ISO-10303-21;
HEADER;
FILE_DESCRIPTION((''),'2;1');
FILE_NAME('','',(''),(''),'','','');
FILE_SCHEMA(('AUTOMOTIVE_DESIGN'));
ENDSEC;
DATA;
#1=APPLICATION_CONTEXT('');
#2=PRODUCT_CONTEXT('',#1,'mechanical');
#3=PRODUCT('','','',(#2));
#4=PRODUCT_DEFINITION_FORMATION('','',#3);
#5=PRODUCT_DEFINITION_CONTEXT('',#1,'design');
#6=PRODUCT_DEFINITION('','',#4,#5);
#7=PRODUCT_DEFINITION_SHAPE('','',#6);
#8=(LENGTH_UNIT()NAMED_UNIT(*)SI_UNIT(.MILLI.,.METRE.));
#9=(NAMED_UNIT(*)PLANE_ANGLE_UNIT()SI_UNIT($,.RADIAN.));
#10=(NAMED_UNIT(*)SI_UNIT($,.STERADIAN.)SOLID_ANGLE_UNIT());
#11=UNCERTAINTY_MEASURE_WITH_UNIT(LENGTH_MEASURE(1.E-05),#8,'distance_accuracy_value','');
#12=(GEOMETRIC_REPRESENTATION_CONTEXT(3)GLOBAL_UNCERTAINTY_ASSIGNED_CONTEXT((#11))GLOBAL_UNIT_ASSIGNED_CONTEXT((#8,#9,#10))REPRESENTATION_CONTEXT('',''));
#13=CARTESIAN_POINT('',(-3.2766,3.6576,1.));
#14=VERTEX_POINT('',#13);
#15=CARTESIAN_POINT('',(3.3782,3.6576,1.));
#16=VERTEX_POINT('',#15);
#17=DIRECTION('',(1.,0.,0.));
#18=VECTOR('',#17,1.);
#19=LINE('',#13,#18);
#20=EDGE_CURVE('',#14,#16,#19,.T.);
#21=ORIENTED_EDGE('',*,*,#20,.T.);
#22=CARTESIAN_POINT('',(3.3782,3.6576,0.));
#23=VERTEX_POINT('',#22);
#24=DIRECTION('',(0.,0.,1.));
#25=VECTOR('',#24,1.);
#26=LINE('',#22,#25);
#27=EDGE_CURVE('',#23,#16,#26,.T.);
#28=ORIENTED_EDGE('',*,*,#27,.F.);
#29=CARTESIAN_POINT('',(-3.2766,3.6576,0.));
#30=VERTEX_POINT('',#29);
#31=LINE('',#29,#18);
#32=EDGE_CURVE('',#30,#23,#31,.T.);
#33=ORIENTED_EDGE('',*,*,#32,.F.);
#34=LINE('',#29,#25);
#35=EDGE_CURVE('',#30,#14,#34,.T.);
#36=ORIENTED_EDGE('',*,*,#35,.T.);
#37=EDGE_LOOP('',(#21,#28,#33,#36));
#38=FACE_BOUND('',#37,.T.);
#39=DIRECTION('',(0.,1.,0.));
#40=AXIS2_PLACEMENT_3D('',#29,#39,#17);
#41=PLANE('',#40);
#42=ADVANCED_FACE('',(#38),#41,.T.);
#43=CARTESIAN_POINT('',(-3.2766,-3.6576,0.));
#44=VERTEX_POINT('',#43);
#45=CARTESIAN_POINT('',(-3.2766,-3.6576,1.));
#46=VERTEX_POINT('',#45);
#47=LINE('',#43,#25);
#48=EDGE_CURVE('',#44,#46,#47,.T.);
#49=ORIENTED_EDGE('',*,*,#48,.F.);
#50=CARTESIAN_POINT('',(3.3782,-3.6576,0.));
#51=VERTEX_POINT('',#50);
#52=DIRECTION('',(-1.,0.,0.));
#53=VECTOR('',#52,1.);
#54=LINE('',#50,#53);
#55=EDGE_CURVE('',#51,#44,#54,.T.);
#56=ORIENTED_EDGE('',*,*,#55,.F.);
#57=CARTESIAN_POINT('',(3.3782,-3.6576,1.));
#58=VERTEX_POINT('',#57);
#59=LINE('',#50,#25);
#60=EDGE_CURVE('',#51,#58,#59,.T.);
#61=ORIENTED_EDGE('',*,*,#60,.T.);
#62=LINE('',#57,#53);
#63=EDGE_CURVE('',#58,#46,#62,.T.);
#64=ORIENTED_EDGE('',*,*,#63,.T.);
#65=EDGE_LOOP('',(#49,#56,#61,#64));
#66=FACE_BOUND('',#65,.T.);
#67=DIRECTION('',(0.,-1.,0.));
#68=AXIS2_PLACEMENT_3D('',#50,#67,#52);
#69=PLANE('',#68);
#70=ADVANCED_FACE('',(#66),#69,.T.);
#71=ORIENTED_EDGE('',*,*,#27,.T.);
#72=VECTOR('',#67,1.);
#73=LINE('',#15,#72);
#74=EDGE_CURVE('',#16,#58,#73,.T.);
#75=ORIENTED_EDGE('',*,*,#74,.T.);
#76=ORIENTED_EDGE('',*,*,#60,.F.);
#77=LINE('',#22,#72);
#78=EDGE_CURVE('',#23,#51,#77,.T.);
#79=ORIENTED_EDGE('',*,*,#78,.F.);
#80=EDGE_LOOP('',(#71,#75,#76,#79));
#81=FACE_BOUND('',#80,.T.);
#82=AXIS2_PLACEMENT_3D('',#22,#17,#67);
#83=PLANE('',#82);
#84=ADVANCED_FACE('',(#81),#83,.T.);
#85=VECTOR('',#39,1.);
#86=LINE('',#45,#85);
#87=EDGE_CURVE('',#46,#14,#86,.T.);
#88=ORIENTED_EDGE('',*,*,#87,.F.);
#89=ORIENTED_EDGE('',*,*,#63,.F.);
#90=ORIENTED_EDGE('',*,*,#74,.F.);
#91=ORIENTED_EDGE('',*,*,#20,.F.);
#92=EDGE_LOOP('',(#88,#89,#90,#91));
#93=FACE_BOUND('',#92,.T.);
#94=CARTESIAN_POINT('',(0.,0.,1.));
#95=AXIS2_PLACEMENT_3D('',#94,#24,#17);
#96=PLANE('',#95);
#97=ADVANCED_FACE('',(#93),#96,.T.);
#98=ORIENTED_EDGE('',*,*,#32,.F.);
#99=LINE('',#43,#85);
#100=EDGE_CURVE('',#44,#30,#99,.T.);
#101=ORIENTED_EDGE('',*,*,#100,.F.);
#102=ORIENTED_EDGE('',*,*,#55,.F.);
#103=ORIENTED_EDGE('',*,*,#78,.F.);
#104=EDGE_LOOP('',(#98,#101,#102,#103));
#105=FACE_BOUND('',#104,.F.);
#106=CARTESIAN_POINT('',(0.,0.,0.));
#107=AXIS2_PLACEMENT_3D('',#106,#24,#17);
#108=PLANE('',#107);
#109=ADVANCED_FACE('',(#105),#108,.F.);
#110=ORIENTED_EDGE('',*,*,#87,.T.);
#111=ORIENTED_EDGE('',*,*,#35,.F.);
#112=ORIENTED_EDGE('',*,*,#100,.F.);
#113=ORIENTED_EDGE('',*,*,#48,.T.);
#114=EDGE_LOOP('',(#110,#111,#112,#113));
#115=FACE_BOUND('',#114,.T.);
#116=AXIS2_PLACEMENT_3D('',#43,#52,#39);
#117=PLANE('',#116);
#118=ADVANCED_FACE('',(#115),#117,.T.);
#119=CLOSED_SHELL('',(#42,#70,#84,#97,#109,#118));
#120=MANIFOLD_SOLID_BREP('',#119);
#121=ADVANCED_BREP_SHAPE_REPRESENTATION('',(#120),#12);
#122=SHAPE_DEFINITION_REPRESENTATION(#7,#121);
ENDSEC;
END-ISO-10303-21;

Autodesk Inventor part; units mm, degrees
ref_plane "YZ Plane" through (0, 0, 0) normal (1, 0, 0) x (0, 1, 0)
ref_plane "XZ Plane" through (0, 0, 0) normal (0, 1, 0) x (-1, 0, 0)
ref_plane "XY Plane" through (0, 0, 0) normal (0, 0, 1) x (1, 0, 0)
sketch "SOT223, U2_SOT223_14" plane through (0, 0, 0) normal (0, 0, 1) x (1, 0, 0)
  line L0 (-3.2766, 3.6576) -> (3.3782, 3.6576)
  line L1 (3.3782, 3.6576) -> (3.3782, -3.6576)
  line L2 (3.3782, -3.6576) -> (-3.2766, -3.6576)
  line L3 (-3.2766, -3.6576) -> (-3.2766, 3.6576)
extrude "Выдавливание1" add sketch "SOT223, U2_SOT223_14" along normal blind 1
properties part number "U2_SOT223"
